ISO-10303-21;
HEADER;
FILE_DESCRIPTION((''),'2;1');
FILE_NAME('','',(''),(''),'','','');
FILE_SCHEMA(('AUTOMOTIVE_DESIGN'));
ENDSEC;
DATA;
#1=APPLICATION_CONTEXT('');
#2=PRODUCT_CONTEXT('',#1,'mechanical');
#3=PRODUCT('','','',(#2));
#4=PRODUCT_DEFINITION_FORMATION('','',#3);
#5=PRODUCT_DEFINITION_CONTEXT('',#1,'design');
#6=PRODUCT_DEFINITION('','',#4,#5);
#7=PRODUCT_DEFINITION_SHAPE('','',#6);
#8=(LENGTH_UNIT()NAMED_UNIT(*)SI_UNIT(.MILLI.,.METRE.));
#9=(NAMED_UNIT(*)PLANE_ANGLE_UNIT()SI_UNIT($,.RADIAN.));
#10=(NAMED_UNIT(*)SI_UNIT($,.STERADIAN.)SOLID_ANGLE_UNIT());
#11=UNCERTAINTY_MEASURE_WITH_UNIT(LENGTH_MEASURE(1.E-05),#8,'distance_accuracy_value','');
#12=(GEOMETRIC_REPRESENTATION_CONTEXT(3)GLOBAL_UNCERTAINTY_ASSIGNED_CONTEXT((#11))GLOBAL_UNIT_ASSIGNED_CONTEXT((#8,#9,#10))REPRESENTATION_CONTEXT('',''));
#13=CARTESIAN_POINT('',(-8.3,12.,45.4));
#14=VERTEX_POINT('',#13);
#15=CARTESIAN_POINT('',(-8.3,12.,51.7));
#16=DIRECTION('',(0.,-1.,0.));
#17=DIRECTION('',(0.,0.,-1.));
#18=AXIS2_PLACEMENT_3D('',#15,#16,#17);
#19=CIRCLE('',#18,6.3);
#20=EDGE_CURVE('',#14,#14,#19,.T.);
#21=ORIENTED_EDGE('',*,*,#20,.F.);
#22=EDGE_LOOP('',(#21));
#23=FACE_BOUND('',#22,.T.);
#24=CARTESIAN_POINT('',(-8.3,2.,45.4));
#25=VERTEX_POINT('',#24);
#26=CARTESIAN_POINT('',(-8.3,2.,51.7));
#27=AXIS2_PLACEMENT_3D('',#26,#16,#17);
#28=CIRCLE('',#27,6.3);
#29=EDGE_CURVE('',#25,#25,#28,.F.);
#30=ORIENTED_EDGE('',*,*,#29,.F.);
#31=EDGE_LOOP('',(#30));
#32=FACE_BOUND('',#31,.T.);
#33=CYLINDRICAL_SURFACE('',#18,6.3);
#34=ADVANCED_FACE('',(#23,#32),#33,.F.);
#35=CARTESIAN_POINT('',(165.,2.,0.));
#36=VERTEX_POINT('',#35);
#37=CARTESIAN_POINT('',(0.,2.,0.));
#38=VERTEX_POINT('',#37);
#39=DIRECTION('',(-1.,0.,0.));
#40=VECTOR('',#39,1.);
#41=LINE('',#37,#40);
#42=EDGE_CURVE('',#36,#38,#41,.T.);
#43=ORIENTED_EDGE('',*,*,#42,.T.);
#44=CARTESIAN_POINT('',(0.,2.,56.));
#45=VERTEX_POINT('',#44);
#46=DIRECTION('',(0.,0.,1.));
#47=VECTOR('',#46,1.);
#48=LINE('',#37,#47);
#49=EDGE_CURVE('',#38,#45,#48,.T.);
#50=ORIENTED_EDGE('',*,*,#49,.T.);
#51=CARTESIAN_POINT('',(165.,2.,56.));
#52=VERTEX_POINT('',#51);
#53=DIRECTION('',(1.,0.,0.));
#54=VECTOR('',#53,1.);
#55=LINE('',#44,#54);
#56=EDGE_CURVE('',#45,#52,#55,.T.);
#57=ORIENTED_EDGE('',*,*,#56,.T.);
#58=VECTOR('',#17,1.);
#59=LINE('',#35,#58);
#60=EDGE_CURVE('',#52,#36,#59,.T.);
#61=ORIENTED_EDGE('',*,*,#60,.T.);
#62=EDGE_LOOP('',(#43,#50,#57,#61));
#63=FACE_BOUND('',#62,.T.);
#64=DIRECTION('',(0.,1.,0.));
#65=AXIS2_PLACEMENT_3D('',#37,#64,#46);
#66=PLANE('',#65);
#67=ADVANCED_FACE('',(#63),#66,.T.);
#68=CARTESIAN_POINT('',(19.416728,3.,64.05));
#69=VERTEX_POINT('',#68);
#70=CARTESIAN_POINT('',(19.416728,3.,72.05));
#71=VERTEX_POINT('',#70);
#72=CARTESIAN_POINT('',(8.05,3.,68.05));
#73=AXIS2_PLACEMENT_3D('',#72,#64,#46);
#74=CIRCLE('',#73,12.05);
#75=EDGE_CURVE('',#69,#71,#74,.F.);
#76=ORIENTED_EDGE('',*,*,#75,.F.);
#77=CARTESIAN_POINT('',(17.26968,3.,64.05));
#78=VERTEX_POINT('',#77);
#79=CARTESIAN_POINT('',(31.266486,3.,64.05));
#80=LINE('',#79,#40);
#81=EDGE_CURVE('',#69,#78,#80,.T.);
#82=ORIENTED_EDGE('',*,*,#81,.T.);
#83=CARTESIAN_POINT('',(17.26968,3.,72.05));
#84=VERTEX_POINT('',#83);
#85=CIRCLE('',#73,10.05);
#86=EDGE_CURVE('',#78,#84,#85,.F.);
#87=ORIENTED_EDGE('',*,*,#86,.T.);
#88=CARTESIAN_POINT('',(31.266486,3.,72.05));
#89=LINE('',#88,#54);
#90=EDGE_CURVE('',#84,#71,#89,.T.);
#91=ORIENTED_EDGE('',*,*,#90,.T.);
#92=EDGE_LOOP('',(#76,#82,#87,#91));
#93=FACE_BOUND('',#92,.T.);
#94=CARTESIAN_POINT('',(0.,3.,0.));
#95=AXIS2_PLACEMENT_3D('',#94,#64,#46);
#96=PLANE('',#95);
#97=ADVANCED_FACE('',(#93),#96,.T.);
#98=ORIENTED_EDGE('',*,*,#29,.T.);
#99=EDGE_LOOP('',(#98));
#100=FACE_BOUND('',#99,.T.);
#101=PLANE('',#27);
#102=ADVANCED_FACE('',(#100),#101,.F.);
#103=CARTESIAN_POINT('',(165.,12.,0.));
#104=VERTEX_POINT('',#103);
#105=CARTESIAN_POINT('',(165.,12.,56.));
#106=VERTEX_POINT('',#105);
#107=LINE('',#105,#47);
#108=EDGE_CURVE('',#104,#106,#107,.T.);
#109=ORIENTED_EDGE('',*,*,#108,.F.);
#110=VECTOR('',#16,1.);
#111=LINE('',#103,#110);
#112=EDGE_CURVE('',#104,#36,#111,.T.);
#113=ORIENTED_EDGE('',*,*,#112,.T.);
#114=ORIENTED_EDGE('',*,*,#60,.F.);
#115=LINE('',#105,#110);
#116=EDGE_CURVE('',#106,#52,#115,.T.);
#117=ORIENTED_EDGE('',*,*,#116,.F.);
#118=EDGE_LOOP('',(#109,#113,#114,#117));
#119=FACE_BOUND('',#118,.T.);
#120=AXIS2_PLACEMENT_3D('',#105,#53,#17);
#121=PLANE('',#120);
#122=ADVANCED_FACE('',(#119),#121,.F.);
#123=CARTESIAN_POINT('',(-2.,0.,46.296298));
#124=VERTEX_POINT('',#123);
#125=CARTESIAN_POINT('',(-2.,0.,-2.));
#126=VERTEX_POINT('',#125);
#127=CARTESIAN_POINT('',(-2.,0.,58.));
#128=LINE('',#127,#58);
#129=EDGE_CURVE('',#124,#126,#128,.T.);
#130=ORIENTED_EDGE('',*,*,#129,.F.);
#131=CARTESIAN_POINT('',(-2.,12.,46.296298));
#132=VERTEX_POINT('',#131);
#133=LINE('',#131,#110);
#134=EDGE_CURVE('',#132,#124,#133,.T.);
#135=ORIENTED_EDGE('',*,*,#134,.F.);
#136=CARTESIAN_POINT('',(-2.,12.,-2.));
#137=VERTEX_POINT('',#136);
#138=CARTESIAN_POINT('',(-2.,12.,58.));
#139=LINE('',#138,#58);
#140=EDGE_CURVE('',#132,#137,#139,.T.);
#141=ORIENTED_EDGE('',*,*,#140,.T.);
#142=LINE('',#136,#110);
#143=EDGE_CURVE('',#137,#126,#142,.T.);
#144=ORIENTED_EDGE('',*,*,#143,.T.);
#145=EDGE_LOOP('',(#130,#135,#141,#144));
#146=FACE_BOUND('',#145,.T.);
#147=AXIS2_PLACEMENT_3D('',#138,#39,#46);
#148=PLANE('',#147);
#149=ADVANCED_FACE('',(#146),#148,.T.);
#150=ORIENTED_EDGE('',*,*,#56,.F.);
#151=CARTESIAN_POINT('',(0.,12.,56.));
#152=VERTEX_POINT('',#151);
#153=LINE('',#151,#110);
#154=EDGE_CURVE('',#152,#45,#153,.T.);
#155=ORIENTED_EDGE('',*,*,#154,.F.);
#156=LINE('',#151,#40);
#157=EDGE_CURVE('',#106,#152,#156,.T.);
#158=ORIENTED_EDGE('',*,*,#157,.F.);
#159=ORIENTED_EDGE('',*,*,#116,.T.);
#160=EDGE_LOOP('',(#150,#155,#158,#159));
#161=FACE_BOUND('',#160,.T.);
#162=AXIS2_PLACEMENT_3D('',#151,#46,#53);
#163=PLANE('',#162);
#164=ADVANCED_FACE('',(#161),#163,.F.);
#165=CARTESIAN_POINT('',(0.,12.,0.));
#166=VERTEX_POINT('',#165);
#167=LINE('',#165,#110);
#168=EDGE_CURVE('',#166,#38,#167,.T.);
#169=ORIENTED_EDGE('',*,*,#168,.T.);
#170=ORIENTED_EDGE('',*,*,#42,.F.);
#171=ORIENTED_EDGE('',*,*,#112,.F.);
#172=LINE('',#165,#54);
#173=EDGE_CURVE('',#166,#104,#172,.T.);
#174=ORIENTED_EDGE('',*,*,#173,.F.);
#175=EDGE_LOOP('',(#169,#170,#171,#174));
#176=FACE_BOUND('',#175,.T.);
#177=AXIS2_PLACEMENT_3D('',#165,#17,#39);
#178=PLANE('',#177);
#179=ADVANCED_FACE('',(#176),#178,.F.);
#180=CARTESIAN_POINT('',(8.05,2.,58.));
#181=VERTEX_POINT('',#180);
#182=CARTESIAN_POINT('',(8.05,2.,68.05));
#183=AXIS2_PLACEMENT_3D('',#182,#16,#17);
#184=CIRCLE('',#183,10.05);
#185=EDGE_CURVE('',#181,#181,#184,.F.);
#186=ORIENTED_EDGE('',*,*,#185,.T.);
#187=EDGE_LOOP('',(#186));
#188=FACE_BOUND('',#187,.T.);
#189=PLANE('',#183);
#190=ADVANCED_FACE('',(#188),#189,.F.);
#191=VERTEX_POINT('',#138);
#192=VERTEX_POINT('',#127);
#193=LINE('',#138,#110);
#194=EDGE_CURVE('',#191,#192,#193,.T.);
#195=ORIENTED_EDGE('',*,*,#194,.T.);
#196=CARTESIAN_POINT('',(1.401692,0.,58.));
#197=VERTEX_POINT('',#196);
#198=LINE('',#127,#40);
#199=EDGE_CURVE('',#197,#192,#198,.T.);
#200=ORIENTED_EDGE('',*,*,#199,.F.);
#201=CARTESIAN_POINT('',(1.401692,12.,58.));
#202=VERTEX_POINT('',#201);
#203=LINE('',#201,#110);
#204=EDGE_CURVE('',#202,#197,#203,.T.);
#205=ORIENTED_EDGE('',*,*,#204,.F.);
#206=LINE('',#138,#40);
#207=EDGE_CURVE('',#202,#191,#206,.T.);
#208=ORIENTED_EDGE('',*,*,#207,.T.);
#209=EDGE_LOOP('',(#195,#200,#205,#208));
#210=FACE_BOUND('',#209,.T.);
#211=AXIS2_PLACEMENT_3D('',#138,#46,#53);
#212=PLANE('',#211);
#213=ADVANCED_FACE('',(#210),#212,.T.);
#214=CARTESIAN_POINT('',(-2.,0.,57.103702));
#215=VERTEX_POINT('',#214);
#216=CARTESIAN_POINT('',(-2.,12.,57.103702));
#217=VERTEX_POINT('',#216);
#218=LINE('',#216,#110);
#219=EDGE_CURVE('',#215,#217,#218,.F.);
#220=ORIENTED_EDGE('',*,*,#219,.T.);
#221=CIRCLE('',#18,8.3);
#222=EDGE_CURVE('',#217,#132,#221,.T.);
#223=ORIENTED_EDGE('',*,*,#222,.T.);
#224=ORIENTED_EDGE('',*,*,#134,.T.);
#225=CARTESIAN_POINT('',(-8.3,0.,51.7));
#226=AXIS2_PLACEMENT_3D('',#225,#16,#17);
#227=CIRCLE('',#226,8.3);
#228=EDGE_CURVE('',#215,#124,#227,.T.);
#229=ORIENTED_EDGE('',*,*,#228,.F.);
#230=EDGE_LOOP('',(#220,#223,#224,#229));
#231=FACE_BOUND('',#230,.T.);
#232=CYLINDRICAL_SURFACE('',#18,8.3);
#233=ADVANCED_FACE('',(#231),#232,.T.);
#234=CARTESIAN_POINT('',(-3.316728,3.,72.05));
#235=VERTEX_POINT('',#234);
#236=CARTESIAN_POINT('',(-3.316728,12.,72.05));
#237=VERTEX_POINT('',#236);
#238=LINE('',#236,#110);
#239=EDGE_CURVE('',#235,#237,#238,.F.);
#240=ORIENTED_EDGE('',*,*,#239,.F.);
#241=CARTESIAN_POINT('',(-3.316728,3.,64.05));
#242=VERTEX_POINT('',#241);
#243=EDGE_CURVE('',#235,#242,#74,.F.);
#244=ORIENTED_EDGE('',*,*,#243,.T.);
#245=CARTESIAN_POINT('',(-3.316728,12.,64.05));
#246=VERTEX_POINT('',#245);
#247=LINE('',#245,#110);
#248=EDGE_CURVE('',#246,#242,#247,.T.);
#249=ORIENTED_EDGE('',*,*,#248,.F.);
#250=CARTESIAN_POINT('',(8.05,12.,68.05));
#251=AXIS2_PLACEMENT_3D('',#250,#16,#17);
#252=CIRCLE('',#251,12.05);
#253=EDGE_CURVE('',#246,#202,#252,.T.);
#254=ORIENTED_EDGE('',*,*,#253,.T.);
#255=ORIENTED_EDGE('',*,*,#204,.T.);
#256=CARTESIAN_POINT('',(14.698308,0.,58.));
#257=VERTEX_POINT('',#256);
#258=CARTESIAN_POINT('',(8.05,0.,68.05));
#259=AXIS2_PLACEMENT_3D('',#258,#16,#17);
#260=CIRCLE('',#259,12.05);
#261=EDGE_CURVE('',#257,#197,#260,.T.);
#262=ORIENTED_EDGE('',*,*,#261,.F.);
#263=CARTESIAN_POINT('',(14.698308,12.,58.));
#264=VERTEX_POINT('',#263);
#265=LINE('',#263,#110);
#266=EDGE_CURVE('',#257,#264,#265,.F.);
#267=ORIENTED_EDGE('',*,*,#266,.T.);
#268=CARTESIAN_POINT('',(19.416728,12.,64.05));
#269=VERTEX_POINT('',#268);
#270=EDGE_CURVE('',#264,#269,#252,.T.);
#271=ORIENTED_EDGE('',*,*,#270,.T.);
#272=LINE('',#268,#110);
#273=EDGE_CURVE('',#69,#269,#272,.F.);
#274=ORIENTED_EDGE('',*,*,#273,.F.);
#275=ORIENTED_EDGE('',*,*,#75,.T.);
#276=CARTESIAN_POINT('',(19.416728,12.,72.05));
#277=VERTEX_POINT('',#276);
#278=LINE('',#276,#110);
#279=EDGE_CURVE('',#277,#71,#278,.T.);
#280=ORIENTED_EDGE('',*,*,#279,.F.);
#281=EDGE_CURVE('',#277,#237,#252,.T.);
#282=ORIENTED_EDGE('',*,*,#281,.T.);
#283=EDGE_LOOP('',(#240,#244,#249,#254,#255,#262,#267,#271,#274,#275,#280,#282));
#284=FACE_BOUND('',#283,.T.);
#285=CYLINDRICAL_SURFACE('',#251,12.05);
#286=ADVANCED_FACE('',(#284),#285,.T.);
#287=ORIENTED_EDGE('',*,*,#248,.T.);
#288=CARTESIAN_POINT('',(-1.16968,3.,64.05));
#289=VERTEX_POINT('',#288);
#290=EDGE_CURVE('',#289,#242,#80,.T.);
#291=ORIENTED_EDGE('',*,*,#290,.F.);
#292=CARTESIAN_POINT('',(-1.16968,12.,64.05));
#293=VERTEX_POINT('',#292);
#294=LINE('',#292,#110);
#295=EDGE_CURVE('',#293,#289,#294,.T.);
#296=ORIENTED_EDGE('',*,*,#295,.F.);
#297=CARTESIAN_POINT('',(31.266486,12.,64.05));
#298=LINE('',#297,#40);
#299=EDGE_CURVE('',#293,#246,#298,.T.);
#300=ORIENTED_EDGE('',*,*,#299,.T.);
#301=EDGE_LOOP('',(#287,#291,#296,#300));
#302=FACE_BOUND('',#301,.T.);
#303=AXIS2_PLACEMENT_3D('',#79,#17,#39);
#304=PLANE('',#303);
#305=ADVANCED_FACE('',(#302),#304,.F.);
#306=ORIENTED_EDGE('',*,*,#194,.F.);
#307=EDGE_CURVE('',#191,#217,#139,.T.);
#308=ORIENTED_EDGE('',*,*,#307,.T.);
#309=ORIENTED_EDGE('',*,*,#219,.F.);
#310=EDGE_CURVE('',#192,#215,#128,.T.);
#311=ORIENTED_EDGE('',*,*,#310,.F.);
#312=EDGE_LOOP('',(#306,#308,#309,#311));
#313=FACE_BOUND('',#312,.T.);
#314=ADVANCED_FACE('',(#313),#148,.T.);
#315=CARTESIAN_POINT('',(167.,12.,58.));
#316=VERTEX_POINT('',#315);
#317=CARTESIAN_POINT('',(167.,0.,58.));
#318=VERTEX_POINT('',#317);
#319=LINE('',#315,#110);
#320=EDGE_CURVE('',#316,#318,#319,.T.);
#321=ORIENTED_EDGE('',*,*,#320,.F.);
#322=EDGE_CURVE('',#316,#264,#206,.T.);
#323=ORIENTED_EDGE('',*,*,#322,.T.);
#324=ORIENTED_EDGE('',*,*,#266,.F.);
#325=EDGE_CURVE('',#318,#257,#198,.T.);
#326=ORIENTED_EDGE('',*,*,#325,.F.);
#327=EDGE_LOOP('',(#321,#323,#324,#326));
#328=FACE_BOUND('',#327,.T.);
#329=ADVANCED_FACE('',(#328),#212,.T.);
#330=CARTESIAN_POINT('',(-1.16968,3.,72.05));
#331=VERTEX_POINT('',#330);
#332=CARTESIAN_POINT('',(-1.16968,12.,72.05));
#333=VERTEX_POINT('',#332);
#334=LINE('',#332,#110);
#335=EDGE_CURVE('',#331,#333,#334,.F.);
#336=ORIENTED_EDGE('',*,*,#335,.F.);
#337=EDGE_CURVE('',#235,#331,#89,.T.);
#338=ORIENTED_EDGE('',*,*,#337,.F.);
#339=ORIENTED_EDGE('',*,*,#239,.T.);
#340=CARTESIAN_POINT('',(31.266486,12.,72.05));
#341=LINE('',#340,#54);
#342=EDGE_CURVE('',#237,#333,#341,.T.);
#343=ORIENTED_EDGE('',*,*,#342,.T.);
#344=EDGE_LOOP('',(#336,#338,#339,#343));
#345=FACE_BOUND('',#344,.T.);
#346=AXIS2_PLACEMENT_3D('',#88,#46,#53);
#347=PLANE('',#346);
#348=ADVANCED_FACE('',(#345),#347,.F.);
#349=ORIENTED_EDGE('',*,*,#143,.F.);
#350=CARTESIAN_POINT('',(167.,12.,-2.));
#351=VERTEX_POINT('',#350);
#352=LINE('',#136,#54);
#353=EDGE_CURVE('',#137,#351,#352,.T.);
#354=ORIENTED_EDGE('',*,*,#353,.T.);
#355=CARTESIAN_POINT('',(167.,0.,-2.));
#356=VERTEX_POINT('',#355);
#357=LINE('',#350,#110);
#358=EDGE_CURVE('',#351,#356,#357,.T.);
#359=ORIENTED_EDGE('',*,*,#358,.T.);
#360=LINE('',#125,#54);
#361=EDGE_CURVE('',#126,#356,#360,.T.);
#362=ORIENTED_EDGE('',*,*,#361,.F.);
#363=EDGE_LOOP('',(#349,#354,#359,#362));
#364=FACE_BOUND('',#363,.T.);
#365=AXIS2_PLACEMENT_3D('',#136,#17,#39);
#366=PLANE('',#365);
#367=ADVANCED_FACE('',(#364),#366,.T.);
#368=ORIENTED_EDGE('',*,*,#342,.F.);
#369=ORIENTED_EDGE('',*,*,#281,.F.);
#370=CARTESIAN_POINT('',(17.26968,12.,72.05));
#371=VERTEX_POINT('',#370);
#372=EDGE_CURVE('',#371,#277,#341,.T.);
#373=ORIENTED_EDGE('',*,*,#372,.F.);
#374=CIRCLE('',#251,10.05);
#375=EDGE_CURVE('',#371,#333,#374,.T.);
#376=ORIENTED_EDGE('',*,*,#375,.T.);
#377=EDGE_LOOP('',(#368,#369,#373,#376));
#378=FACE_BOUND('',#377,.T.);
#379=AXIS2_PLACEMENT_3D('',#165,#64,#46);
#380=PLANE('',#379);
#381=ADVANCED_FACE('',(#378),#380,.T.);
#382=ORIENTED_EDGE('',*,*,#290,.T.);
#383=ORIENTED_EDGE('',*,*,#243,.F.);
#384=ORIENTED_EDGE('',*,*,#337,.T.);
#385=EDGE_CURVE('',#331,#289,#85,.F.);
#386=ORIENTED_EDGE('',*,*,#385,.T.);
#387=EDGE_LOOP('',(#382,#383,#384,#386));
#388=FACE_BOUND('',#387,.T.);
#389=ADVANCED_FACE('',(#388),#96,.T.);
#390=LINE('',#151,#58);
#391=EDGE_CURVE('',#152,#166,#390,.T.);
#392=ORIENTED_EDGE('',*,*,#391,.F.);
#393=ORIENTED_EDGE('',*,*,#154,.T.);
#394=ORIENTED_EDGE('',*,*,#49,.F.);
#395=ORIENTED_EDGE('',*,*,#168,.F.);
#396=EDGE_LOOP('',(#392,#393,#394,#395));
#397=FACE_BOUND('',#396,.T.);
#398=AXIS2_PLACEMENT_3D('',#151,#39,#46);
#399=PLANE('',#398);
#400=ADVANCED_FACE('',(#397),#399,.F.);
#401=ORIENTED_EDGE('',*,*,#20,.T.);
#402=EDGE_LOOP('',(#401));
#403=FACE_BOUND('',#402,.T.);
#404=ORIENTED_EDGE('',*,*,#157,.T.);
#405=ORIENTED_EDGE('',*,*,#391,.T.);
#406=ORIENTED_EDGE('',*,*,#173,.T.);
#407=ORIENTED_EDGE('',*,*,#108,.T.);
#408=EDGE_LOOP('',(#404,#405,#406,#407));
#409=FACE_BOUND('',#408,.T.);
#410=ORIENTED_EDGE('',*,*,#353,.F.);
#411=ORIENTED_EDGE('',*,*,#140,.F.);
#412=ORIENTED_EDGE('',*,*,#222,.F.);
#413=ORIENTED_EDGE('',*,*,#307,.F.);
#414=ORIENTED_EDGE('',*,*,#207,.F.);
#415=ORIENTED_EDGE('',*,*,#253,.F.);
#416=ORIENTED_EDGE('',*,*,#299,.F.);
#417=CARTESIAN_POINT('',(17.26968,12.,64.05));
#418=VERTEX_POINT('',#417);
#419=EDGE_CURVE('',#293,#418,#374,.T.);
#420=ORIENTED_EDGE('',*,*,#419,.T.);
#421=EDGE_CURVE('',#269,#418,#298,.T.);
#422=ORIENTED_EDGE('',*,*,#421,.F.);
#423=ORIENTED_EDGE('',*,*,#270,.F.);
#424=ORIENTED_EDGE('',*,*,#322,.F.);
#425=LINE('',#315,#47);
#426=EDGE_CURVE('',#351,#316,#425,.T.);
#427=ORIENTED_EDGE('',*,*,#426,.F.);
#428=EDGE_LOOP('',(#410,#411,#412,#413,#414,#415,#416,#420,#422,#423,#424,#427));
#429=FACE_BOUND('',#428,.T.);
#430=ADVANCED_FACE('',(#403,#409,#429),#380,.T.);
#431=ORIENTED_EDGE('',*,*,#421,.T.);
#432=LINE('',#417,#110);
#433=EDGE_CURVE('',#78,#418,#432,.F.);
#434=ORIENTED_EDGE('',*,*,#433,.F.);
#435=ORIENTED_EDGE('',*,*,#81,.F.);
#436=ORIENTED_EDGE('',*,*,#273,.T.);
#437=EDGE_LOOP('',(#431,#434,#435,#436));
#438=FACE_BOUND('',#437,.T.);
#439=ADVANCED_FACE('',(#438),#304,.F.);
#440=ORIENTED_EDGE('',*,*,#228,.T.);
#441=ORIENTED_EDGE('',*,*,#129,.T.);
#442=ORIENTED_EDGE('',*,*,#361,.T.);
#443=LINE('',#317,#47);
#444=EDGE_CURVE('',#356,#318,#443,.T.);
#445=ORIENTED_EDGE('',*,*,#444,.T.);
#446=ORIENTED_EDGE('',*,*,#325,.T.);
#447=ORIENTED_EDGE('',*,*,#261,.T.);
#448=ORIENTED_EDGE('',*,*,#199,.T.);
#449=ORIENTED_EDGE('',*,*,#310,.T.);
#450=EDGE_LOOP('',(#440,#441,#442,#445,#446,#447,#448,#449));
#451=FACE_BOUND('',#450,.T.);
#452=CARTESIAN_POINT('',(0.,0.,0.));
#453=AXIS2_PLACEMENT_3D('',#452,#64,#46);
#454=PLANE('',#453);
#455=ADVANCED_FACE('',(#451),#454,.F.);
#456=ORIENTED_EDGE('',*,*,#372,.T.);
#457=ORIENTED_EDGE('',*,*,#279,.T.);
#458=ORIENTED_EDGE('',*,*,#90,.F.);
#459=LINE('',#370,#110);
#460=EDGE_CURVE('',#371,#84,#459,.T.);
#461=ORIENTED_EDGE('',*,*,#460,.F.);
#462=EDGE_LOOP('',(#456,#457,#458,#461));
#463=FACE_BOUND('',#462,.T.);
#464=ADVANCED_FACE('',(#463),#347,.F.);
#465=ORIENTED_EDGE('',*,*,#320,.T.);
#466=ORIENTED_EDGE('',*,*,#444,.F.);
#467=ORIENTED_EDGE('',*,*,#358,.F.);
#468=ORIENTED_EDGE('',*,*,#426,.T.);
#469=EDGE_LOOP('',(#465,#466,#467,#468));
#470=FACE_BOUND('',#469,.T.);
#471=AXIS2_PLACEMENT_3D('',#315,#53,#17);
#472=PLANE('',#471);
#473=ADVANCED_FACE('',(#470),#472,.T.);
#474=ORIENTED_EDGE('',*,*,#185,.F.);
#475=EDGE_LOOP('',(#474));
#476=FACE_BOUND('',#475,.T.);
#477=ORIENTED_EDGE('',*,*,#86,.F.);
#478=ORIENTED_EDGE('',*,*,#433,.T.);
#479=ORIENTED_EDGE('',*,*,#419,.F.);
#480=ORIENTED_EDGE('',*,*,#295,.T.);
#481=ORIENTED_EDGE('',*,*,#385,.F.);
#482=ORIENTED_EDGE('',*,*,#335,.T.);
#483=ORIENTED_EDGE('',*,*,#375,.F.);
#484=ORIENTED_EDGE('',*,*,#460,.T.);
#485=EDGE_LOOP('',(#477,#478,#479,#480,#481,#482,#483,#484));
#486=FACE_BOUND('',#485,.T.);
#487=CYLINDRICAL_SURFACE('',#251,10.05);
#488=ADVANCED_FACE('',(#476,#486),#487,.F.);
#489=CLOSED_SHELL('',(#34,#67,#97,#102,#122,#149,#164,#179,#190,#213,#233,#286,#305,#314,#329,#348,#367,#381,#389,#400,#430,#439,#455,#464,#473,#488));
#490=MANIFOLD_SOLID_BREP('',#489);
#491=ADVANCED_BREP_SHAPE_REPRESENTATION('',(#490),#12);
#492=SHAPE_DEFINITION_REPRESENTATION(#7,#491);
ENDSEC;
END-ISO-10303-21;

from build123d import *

# Parameters (mm, degrees)
SKETCH_1_W          = 165
SKETCH_1_H          = 56
EXTRUDE_1_DEPTH     = 2
SKETCH_3_W          = 169
SKETCH_3_H          = 60
SKETCH_3_W_2        = 165
SKETCH_3_H_2        = 56
EXTRUDE_2_DEPTH     = 12
SKETCH_4_R          = 10.05
EXTRUDE_3_DEPTH     = 2
SKETCH_5_R          = 12.05
SKETCH_5_R_2        = 10.05
EXTRUDE_4_DEPTH     = 12
SKETCH_6_W          = 46.432971474
SKETCH_6_H          = 8
CUT_EXTRUDE_1_DEPTH = 9
SKETCH_7_R          = 6.3
EXTRUDE_5_DEPTH     = 2
SKETCH_8_R          = 8.3
SKETCH_8_R_2        = 6.3
EXTRUDE_6_DEPTH     = 12


with BuildPart() as part:
    # 草图1 → 凸台-拉伸1 (new body)
    with BuildSketch(Plane(origin=(0, 0, 0), x_dir=(1, 0, 0), z_dir=(0, 1, 0))):
        with Locations((82.5, -28)):
            Rectangle(SKETCH_1_W, SKETCH_1_H)
    extrude(amount=EXTRUDE_1_DEPTH)

    # 草图3 → 凸台-拉伸2 (add)
    with BuildSketch(Plane.XZ):
        with Locations((82.5, 28)):
            Rectangle(SKETCH_3_W, SKETCH_3_H)
        with Locations((82.5, 28)):
            Rectangle(SKETCH_3_W_2, SKETCH_3_H_2, mode=Mode.SUBTRACT)
    extrude(amount=-EXTRUDE_2_DEPTH)



with BuildPart() as body_2:
    # 草图4 → 凸台-拉伸3 (new body)
    with BuildSketch(Plane.XZ):
        with Locations(Location((8.05, 68.05, 0), (0, 0, 270))):
            Circle(SKETCH_4_R)
    extrude(amount=-EXTRUDE_3_DEPTH)


with BuildPart() as part_1:
    add(part.part)

    add(body_2.part)  # 凸台-拉伸4 merges body 2
    # 草图5 → 凸台-拉伸4 (add)
    with BuildSketch(Plane.XZ):
        with Locations((8.05, 68.05)):
            Circle(SKETCH_5_R)
        with Locations(Location((8.05, 68.05, 0), (0, 0, 270))):
            Circle(SKETCH_5_R_2, mode=Mode.SUBTRACT)
    extrude(amount=-EXTRUDE_4_DEPTH)

    # 草图6 → 切除-拉伸1 (cut)
    with BuildSketch(Plane(origin=(0, 12, 0), x_dir=(1, 0, 0), z_dir=(0, 1, 0))):
        with Locations((8.05, -68.05)):
            Rectangle(SKETCH_6_W, SKETCH_6_H)
    extrude(amount=-CUT_EXTRUDE_1_DEPTH, mode=Mode.SUBTRACT)



with BuildPart() as body_2_2:
    # 草图7 → 凸台-拉伸5 (new body)
    with BuildSketch(Plane.XZ):
        with Locations(Location((-8.3, 51.7, 0), (0, 0, 270))):
            Circle(SKETCH_7_R)
    extrude(amount=-EXTRUDE_5_DEPTH)


with BuildPart() as part_2:
    add(part_1.part)

    add(body_2_2.part)  # 凸台-拉伸6 merges body 2 2
    # 草图8 → 凸台-拉伸6 (add)
    with BuildSketch(Plane.XZ):
        with Locations((-8.3, 51.7)):
            Circle(SKETCH_8_R)
        with Locations(Location((-8.3, 51.7, 0), (0, 0, 270))):
            Circle(SKETCH_8_R_2, mode=Mode.SUBTRACT)
    extrude(amount=-EXTRUDE_6_DEPTH)


solid = part_2.part
